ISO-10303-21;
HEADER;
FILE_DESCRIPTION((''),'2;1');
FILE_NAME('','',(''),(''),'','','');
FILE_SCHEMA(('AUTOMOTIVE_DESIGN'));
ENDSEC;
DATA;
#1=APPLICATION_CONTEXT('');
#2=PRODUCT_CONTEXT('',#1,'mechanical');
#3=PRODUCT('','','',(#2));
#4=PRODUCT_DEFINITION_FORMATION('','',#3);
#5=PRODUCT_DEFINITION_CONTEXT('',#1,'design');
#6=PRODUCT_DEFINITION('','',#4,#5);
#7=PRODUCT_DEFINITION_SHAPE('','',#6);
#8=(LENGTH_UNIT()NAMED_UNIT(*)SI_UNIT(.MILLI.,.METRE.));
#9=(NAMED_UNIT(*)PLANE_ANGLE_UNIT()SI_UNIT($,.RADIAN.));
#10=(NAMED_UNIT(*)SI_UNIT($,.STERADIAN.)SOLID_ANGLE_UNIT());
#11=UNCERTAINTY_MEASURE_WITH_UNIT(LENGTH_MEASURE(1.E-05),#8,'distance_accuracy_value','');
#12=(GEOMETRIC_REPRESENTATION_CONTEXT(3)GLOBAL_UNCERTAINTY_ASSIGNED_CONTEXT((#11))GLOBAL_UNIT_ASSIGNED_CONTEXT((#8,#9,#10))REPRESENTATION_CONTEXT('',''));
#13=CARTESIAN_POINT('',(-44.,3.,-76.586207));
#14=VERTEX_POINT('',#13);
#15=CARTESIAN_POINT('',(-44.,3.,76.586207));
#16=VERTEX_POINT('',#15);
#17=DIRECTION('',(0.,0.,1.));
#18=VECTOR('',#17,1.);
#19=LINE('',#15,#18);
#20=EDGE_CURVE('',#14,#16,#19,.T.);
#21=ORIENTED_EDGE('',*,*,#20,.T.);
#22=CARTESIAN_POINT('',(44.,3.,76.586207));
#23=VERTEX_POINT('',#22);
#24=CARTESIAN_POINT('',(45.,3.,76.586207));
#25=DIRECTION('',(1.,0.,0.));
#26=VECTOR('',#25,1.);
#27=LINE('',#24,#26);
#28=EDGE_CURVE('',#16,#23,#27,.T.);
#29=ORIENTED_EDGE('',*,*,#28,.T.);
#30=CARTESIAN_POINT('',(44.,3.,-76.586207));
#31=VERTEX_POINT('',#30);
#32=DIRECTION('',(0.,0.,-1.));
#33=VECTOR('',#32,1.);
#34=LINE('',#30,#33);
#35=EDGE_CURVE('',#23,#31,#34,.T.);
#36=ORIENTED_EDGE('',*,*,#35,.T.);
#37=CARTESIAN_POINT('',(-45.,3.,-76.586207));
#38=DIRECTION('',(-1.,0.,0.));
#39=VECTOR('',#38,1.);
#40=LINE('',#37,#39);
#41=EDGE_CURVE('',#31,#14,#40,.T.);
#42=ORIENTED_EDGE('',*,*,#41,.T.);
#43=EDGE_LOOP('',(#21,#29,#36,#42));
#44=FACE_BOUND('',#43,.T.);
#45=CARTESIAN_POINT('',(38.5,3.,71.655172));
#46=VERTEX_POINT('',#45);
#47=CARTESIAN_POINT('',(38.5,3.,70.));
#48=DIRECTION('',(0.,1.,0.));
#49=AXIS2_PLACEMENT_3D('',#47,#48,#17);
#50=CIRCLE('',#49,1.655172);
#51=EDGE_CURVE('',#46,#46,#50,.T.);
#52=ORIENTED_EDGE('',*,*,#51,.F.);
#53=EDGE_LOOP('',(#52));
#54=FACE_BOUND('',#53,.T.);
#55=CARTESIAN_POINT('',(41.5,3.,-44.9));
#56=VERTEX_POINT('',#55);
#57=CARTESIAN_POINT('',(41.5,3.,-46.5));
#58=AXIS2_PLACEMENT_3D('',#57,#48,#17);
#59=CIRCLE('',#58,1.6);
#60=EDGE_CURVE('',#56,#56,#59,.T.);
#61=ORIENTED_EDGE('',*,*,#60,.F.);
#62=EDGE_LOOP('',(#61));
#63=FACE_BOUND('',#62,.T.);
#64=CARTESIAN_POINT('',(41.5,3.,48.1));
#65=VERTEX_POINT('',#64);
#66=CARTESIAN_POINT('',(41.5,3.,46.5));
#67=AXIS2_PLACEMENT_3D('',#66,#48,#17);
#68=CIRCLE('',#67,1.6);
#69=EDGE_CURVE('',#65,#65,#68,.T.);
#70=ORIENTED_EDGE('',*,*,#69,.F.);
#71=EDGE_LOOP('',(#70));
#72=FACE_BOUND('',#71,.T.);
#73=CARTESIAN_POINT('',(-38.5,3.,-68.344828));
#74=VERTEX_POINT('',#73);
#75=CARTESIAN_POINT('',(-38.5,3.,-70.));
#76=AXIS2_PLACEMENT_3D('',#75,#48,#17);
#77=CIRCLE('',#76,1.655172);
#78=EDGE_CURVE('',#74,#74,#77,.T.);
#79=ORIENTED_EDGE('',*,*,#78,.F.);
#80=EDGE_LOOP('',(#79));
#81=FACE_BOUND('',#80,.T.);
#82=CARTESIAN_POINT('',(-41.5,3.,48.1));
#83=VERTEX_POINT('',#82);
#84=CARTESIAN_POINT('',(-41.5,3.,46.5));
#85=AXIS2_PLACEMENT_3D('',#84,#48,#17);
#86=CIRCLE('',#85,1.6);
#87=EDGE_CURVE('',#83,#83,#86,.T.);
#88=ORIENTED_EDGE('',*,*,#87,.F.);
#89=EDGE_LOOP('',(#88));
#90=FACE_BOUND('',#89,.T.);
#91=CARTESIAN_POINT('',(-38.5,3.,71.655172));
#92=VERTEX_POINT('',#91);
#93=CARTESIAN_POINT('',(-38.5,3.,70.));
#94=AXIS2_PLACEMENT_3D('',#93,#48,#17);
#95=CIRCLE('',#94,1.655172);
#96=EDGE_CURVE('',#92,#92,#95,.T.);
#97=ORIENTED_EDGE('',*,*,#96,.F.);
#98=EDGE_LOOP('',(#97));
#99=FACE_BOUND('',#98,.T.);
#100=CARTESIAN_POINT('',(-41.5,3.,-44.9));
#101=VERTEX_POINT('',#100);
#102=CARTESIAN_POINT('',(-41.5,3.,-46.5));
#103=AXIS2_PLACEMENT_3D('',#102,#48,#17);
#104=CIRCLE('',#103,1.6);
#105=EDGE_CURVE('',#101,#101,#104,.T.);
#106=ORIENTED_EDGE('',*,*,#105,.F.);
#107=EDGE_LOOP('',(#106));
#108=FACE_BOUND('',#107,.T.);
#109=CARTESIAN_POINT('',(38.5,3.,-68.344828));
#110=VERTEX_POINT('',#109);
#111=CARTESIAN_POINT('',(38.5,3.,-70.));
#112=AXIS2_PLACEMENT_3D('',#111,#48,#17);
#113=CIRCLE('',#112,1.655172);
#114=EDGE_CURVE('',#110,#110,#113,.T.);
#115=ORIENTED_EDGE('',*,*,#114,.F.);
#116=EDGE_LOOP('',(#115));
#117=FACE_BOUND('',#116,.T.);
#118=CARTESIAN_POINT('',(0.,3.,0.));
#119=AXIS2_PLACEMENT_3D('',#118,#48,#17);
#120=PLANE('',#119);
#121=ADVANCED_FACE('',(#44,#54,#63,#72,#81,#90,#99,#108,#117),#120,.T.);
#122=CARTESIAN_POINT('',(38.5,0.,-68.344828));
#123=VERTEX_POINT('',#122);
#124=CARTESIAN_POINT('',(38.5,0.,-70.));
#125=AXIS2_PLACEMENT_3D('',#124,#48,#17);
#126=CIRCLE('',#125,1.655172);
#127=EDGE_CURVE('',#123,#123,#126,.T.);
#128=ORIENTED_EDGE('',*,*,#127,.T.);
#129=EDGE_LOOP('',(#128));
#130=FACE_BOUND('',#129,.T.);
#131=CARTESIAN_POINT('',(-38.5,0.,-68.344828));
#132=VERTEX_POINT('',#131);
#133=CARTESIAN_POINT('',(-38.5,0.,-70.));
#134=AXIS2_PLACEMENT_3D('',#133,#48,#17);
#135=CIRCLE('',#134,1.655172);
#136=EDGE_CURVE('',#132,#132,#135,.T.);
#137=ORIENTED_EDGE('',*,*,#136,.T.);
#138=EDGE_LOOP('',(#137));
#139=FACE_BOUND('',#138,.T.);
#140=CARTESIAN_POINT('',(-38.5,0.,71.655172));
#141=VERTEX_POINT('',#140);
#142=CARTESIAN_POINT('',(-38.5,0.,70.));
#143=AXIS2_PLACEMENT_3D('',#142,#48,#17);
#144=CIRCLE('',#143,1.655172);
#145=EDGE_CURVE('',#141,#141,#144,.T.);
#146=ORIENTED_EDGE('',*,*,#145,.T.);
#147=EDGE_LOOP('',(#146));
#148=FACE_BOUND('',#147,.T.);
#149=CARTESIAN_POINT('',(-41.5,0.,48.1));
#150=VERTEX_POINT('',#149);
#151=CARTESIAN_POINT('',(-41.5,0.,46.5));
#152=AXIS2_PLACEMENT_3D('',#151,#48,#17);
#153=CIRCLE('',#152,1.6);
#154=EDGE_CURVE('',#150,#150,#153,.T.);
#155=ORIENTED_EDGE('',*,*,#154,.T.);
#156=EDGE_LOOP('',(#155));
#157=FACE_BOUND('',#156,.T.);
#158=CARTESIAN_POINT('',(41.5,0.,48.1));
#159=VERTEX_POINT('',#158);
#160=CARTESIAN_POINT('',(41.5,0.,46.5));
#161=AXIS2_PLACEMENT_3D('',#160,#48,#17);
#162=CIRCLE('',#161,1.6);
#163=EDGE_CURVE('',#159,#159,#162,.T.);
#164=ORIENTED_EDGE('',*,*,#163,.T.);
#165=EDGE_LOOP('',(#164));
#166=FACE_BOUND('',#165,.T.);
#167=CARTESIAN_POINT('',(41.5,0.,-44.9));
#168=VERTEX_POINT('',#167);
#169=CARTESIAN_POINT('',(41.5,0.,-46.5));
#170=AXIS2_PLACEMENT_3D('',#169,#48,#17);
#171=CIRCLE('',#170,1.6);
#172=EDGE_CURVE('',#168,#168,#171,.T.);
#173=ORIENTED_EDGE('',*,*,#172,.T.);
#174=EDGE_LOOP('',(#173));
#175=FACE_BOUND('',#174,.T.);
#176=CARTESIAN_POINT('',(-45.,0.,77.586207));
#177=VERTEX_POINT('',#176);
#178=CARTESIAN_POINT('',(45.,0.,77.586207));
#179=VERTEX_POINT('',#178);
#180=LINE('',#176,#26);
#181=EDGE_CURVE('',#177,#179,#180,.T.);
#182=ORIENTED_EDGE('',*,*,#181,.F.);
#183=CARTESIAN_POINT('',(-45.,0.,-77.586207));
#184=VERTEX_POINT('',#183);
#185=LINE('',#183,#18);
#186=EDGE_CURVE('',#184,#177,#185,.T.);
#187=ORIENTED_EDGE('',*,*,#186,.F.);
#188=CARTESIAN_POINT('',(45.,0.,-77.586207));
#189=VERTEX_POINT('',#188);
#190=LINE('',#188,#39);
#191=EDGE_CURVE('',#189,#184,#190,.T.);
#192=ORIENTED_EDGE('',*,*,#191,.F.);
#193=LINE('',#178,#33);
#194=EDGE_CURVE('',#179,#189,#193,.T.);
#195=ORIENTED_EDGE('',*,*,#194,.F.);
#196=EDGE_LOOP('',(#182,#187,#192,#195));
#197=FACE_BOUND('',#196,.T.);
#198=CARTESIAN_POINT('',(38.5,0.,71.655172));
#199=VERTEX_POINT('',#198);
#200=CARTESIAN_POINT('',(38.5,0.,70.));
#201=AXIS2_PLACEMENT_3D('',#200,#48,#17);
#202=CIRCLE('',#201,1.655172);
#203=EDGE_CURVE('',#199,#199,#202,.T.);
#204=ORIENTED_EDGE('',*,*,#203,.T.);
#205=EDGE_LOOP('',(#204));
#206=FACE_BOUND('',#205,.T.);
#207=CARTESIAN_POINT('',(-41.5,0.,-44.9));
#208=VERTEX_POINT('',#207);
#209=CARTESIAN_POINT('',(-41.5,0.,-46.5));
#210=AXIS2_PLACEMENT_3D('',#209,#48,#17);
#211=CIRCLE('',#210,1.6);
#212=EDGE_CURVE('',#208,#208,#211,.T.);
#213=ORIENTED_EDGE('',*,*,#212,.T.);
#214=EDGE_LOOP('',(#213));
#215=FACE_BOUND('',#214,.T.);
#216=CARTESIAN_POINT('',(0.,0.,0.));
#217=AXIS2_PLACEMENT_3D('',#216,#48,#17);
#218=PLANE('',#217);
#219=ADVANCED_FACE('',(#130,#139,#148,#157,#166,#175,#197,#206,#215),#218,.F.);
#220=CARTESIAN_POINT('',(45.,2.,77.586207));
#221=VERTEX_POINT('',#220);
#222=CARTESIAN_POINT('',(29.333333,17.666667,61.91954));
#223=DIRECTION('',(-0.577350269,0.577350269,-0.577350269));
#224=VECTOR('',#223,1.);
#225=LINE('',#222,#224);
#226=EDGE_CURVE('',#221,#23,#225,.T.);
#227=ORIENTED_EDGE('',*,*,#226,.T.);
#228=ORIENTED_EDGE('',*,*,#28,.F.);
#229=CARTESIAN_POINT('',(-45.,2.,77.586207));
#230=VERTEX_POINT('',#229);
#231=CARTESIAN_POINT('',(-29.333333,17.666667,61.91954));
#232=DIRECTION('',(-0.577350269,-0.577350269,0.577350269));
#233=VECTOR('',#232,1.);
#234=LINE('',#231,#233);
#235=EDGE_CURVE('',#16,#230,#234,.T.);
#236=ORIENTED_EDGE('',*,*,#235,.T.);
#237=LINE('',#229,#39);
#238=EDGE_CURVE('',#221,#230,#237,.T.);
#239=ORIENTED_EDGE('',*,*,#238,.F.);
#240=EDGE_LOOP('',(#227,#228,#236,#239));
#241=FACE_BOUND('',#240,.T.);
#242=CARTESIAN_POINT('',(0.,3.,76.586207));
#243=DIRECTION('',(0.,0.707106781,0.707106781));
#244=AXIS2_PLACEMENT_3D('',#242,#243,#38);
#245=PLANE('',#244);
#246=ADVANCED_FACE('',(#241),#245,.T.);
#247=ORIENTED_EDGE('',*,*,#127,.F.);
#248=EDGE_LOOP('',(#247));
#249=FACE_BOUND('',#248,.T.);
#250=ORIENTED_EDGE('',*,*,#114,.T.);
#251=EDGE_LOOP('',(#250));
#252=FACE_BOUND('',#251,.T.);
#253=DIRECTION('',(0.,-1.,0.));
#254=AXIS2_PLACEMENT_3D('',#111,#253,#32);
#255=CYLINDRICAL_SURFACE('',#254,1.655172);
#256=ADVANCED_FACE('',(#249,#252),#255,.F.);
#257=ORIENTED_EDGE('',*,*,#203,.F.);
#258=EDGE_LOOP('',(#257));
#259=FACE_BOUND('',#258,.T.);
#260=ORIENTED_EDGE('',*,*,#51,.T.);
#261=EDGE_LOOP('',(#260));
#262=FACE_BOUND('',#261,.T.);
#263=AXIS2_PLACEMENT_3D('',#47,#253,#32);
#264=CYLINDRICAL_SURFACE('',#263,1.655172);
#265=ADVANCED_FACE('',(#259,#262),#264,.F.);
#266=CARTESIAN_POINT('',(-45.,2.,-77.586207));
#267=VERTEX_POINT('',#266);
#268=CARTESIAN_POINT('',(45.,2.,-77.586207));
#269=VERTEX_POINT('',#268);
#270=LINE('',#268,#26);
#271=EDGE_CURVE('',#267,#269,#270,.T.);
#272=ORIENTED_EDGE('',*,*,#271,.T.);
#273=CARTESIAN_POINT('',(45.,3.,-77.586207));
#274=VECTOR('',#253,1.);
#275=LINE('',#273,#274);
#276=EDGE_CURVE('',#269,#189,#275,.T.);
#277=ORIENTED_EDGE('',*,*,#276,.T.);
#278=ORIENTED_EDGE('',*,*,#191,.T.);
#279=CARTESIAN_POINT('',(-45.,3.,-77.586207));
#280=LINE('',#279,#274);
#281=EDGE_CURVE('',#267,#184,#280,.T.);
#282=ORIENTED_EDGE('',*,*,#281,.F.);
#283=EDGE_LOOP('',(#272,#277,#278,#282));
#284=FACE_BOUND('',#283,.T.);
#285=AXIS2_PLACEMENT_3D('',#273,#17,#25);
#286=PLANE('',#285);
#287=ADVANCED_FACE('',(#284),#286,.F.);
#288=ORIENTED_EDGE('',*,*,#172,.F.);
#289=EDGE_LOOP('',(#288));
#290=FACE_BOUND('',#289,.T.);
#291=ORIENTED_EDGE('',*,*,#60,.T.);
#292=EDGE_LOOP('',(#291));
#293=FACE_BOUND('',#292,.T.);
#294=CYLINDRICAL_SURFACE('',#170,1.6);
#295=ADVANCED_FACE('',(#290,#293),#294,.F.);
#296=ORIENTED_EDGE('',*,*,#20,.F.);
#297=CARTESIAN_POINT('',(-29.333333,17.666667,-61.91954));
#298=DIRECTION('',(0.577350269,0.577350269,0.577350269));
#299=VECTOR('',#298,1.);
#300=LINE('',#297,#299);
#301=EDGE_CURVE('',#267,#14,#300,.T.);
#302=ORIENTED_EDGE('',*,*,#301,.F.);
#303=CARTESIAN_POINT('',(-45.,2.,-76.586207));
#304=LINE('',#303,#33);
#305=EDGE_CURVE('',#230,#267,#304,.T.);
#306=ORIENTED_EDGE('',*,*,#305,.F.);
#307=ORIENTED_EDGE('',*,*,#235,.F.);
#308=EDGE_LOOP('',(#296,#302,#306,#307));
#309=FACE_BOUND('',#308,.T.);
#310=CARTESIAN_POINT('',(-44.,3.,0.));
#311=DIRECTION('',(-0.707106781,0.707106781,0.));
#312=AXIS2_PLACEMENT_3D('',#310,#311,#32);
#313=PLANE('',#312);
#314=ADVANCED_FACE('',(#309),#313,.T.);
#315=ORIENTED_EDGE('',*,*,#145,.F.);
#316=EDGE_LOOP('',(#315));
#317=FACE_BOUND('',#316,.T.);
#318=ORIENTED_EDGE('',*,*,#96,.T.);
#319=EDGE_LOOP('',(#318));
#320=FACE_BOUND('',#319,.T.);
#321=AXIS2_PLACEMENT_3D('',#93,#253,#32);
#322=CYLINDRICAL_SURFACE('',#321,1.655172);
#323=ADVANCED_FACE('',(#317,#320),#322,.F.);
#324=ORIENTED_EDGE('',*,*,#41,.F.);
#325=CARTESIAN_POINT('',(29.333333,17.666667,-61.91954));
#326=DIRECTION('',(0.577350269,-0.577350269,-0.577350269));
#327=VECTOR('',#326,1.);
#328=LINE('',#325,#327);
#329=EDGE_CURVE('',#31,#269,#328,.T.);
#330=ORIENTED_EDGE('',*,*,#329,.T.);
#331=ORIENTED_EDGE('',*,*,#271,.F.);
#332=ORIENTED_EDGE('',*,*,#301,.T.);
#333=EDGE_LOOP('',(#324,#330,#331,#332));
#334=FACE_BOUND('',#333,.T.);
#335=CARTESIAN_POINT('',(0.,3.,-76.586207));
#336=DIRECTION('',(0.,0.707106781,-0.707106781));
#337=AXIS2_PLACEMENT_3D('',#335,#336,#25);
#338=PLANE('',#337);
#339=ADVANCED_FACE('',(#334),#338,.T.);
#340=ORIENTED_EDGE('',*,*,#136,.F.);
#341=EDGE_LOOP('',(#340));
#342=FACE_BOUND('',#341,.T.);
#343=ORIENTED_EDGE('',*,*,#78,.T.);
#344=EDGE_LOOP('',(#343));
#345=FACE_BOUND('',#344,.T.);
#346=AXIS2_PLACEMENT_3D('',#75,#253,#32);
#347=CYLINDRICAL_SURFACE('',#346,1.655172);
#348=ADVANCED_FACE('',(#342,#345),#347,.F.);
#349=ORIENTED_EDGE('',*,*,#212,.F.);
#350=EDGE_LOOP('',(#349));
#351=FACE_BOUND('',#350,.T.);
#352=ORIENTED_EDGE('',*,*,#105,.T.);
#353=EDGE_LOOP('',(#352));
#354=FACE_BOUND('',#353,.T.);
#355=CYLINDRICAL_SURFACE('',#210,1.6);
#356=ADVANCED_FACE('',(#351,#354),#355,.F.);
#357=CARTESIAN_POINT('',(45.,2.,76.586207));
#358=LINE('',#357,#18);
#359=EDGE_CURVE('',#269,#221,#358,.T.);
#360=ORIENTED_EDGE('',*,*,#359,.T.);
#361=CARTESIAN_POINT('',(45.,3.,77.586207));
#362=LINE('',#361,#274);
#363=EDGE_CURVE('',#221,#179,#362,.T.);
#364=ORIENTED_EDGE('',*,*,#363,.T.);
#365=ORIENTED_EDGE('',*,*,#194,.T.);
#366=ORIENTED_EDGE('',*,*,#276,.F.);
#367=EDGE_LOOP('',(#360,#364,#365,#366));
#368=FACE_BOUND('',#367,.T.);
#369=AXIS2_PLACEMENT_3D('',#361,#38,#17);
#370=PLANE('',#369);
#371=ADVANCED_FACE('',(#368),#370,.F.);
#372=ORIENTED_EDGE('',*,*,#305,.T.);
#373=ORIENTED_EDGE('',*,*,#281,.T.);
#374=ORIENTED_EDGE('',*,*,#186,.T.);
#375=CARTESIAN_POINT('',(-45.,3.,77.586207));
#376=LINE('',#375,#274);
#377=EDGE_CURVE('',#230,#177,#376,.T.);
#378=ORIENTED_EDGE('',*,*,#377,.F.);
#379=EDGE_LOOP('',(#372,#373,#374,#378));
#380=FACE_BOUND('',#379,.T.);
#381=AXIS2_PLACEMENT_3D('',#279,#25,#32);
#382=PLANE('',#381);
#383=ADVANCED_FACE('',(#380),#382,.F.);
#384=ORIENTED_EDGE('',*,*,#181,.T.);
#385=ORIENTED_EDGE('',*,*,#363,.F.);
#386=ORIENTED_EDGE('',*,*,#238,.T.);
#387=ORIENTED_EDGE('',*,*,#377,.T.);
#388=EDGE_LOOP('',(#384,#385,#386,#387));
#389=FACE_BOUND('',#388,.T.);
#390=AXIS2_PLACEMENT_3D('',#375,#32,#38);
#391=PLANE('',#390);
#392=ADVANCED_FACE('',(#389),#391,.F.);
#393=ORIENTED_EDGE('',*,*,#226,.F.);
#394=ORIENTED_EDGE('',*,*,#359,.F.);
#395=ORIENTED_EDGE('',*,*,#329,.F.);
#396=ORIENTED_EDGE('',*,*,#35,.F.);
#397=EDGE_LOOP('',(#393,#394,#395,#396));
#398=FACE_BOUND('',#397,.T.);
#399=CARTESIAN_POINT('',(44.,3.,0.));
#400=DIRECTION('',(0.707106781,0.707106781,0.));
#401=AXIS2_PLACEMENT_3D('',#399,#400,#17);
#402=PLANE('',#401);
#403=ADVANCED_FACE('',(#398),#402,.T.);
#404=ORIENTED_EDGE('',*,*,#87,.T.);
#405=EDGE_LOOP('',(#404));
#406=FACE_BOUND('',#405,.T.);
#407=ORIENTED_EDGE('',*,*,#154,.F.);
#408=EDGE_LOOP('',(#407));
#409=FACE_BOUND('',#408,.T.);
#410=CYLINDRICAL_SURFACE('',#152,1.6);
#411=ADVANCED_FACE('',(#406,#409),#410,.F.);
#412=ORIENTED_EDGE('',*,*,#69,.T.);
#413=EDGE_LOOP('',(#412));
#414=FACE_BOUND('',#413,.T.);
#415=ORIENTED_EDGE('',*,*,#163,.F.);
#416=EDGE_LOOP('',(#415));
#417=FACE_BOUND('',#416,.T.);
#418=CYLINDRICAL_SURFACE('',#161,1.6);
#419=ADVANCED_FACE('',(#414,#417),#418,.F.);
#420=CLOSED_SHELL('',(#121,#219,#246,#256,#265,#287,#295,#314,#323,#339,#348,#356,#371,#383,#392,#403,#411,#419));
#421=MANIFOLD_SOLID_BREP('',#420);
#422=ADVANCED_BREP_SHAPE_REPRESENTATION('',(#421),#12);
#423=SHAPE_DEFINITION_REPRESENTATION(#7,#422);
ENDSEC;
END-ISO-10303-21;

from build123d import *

# Parameters (mm, degrees)
SKETCH1_W           = 90
SKETCH1_H           = 155.172413794
SKETCH1_R           = 1.655172414
BOSS_EXTRUDE1_DEPTH = 3
CUT_EXTRUDE1_DEPTH  = 90.741960646
CHAMFER1_SIZE       = 1
CHAMFER2_SIZE       = 1


with BuildPart() as part:
    # Sketch1 → Boss-Extrude1 (new body)
    with BuildSketch(Plane(origin=(0, 0, 0), x_dir=(1, 0, 0), z_dir=(0, 1, 0))):
        Rectangle(SKETCH1_W, SKETCH1_H)
        with Locations(Location((38.5, -70, 0), (0, 0, 270))):
            Circle(SKETCH1_R, mode=Mode.SUBTRACT)
        with Locations(Location((-38.5, -70, 0), (0, 0, 270))):
            Circle(SKETCH1_R, mode=Mode.SUBTRACT)
        with Locations(Location((38.5, 70, 0), (0, 0, 270))):
            Circle(SKETCH1_R, mode=Mode.SUBTRACT)
        with Locations(Location((-38.5, 70, 0), (0, 0, 270))):
            Circle(SKETCH1_R, mode=Mode.SUBTRACT)
    extrude(amount=BOSS_EXTRUDE1_DEPTH)

    # Sketch2 → Cut-Extrude1 (cut, through all)
    with BuildSketch(Plane(origin=(0, 3, 0), x_dir=(1, 0, 0), z_dir=(0, 1, 0))):
        with BuildLine():
            ThreePointArc((-39.9, 46.5), (-42.63137085, 47.63137085), (-41.5, 44.9))
            Line((-41.5, 44.9), (-41.5, 46.5))
            Line((-41.5, 46.5), (-39.9, 46.5))
        make_face()
        with BuildLine():
            Line((-41.5, 46.5), (-41.5, 44.9))
            ThreePointArc((-41.5, 44.9), (-40.36862915, 45.36862915), (-39.9, 46.5))
            Line((-39.9, 46.5), (-41.5, 46.5))
        make_face()
        with BuildLine():
            ThreePointArc((39.9, 46.5), (40.36862915, 45.36862915), (41.5, 44.9))
            Line((41.5, 44.9), (41.5, 46.5))
            Line((41.5, 46.5), (39.9, 46.5))
        make_face()
        with BuildLine():
            Line((41.5, 46.5), (41.5, 44.9))
            ThreePointArc((41.5, 44.9), (42.63137085, 45.36862915), (43.1, 46.5))
            ThreePointArc((43.1, 46.5), (41.5, 48.1), (39.9, 46.5))
            Line((39.9, 46.5), (41.5, 46.5))
        make_face()
        with BuildLine():
            ThreePointArc((41.5, -44.9), (40.36862915, -45.36862915), (39.9, -46.5))
            Line((39.9, -46.5), (41.5, -46.5))
            Line((41.5, -46.5), (41.5, -44.9))
        make_face()
        with BuildLine():
            Line((41.5, -46.5), (39.9, -46.5))
            ThreePointArc((39.9, -46.5), (41.5, -48.1), (43.1, -46.5))
            ThreePointArc((43.1, -46.5), (42.63137085, -45.36862915), (41.5, -44.9))
            Line((41.5, -44.9), (41.5, -46.5))
        make_face()
        with BuildLine():
            Line((-41.5, -44.9), (-41.5, -46.5))
            Line((-41.5, -46.5), (-39.9, -46.5))
            ThreePointArc((-39.9, -46.5), (-40.36862915, -45.36862915), (-41.5, -44.9))
        make_face()
        with BuildLine():
            Line((-39.9, -46.5), (-41.5, -46.5))
            Line((-41.5, -46.5), (-41.5, -44.9))
            ThreePointArc((-41.5, -44.9), (-42.63137085, -47.63137085), (-39.9, -46.5))
        make_face()
    extrude(amount=-CUT_EXTRUDE1_DEPTH, mode=Mode.SUBTRACT)

    # Chamfer1
    chamfer1_edges = [part.edges().sort_by_distance(p)[0] for p in [
        (0, 3, 77.586206897),
        (0, 3, -77.586206897),
    ]]
    chamfer(chamfer1_edges, length=CHAMFER1_SIZE)

    # Chamfer2
    chamfer2_edges = [part.edges().sort_by_distance(p)[0] for p in [
        (45, 3, 0),
        (-45, 3, 0),
    ]]
    chamfer(chamfer2_edges, length=CHAMFER2_SIZE)


solid = part.part
